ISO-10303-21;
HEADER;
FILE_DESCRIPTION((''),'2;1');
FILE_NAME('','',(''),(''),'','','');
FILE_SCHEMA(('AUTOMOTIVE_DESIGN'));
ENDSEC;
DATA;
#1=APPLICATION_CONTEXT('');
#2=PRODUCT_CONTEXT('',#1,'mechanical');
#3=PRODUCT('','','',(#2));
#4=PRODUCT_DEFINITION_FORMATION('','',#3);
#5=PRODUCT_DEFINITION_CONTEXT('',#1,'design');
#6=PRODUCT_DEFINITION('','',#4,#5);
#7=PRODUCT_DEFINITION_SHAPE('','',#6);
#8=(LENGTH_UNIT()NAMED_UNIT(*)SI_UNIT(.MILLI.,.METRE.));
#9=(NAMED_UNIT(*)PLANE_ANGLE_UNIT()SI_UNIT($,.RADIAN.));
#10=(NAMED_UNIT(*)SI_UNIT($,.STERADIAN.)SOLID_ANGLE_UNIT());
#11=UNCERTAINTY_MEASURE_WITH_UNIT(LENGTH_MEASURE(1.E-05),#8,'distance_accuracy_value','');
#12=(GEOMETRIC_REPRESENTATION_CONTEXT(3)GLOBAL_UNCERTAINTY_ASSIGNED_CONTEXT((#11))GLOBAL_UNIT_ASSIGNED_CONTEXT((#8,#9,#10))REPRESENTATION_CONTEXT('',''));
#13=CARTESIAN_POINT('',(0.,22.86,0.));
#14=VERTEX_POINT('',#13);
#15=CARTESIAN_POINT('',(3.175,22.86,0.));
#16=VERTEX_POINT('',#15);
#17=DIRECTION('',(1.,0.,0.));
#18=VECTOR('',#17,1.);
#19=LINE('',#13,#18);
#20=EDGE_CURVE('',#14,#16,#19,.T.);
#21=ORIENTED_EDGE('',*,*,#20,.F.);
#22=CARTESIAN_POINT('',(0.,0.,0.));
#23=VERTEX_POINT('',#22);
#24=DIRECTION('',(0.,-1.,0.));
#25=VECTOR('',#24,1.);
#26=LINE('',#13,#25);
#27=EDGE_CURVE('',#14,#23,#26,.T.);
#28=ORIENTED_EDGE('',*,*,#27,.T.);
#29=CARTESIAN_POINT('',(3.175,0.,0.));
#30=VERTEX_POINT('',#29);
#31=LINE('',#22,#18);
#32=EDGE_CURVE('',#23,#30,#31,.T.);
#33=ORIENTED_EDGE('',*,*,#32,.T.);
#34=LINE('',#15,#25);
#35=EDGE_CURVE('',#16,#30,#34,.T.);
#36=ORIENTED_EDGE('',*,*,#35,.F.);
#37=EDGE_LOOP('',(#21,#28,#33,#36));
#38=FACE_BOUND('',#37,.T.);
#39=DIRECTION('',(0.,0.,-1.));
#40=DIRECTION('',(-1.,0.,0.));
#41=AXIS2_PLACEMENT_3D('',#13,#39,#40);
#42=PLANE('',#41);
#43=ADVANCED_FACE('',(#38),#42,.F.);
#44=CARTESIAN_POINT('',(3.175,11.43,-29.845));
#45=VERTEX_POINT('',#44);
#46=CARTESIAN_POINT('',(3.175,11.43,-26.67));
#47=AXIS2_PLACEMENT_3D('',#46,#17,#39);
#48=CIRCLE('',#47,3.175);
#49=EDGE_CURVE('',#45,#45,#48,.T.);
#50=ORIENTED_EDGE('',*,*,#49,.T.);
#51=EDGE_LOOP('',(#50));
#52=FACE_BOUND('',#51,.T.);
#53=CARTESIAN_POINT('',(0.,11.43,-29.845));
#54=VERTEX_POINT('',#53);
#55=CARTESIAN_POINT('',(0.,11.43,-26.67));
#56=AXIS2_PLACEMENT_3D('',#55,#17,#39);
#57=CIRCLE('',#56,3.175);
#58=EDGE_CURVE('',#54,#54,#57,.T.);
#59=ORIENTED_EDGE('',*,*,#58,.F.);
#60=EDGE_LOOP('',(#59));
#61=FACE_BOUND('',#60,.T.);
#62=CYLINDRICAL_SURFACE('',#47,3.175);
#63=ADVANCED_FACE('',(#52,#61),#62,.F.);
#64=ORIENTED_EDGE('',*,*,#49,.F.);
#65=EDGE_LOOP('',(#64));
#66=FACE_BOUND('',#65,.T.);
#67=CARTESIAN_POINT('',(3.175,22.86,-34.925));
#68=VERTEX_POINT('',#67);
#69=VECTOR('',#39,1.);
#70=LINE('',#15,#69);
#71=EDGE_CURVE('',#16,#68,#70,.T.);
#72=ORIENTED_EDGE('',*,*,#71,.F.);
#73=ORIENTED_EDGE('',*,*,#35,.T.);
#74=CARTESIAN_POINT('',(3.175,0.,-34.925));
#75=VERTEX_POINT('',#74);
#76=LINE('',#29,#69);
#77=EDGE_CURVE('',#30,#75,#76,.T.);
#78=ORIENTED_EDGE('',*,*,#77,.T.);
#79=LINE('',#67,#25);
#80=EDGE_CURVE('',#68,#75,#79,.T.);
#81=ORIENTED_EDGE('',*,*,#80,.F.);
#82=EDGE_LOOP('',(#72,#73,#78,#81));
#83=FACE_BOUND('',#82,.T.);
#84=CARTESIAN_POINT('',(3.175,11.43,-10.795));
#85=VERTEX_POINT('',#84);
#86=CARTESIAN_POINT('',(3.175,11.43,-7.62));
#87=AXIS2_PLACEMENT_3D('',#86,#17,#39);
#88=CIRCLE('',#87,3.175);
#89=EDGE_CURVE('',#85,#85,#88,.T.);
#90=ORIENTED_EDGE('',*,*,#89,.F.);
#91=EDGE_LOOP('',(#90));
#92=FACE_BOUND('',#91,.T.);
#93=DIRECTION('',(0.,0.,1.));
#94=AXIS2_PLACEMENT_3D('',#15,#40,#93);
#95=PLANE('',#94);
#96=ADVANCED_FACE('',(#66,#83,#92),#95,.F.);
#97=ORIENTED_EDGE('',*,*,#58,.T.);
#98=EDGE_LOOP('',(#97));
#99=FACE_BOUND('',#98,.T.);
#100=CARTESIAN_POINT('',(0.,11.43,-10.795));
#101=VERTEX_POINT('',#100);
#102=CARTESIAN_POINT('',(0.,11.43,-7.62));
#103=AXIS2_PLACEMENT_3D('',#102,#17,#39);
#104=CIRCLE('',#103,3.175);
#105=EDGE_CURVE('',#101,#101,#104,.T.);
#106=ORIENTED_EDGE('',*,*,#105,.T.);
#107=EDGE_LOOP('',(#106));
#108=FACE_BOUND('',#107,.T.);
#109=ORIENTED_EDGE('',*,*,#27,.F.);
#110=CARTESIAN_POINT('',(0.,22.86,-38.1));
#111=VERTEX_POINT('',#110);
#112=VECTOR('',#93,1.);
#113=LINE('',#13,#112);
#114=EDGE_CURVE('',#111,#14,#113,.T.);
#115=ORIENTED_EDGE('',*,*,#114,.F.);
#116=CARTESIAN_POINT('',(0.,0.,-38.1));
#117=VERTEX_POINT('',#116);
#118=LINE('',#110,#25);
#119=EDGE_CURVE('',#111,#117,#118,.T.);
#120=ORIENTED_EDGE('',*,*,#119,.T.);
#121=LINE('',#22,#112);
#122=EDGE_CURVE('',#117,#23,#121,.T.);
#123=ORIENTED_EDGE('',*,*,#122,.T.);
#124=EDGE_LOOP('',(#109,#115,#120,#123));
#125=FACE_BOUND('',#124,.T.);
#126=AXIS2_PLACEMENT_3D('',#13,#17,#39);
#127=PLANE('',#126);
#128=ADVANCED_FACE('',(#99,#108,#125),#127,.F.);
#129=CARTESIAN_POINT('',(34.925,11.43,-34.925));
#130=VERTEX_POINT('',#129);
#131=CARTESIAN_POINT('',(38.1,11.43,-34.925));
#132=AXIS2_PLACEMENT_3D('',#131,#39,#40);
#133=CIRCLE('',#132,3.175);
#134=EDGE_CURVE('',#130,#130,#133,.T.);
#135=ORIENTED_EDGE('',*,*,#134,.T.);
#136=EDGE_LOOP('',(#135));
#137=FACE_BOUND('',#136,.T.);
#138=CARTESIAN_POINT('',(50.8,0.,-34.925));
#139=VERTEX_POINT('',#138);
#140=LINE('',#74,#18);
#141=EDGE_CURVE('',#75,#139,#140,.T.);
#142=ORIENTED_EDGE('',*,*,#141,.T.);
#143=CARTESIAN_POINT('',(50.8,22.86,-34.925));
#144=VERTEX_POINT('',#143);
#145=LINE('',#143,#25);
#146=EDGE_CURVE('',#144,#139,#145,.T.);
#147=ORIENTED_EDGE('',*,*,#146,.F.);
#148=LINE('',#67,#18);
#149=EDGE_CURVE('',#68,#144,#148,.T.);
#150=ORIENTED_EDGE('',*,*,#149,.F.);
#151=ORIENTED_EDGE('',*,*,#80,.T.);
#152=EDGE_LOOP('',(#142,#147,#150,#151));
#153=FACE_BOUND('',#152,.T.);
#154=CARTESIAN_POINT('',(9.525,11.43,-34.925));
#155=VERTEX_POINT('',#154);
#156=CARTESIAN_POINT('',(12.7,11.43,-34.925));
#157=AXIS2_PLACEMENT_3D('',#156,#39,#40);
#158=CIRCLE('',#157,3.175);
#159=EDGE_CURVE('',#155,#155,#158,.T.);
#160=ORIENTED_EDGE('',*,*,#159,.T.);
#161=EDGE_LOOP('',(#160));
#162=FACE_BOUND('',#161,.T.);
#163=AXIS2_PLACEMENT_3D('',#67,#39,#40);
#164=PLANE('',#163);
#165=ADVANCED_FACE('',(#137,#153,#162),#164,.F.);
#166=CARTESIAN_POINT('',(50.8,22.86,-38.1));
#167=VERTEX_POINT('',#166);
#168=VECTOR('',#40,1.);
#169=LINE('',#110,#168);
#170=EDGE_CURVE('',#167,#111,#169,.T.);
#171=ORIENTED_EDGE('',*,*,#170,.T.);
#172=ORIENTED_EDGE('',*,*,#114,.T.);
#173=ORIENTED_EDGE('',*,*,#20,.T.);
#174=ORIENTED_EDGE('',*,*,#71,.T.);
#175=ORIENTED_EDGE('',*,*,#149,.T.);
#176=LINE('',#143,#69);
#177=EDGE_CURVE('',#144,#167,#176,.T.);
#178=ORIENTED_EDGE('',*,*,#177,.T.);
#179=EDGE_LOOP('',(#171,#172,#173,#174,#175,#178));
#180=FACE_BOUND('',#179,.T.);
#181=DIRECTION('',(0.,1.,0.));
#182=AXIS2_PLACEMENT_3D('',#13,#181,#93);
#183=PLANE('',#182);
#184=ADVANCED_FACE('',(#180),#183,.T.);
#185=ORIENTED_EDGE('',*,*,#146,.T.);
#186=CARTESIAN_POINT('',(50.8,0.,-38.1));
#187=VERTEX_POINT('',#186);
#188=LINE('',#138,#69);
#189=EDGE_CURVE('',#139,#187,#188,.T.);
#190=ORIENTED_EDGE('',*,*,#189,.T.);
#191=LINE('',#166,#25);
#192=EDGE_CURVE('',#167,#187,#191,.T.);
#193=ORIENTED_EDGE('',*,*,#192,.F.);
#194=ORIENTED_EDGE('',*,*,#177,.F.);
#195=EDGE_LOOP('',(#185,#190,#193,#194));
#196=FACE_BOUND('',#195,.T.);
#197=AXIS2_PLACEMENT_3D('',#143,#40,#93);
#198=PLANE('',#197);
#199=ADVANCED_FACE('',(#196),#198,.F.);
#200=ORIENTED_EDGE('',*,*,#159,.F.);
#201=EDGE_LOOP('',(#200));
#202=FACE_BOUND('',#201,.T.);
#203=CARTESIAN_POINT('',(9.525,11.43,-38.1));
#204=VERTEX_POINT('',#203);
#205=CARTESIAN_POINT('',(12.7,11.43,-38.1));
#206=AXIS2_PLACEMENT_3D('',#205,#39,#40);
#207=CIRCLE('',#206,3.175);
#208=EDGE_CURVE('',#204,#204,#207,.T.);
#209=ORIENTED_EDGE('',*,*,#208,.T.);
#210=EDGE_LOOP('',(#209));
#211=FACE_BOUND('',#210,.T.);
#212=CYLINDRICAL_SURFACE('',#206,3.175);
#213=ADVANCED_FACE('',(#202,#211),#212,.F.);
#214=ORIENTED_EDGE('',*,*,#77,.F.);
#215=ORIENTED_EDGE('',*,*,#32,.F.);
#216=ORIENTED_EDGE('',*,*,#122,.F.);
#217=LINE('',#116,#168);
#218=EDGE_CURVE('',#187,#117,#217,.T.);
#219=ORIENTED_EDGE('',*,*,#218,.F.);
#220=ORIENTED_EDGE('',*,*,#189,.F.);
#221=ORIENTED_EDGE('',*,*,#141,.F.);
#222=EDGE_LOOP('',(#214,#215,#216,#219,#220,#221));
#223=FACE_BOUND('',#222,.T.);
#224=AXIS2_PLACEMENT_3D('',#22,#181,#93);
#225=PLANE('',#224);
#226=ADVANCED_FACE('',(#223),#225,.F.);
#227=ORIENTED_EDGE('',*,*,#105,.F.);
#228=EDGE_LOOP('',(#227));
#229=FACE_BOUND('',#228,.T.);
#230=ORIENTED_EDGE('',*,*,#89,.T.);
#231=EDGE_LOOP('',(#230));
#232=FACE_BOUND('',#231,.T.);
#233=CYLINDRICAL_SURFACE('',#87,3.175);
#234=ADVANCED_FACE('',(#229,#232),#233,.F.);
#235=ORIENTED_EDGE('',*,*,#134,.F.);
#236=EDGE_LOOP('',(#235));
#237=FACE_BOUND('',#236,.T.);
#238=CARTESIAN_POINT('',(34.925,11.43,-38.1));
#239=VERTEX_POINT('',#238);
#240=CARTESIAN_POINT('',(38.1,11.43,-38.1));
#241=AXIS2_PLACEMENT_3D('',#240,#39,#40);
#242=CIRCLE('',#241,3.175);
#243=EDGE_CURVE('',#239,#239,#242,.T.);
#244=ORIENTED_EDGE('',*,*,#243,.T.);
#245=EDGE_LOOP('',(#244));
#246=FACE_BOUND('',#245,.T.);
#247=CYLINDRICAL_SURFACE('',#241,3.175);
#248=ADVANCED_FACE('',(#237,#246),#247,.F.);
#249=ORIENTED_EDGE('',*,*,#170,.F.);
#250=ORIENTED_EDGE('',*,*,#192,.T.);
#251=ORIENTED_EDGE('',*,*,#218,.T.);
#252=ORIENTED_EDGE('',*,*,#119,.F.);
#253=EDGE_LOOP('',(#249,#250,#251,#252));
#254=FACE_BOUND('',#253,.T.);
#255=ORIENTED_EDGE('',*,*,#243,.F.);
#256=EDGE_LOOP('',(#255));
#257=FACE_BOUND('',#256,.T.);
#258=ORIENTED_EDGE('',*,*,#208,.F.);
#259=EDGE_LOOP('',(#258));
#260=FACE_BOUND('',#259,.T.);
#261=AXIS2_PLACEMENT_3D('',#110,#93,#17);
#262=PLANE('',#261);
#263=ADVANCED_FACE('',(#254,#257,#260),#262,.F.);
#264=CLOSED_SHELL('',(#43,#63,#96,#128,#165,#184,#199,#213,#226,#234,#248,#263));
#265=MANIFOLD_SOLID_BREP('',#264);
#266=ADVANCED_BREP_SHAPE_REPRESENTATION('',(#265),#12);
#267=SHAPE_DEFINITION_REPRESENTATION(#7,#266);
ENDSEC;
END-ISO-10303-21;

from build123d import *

# Parameters (mm, degrees)
BOSS_EXTRUDE1_DEPTH         = 22.86
F_1_4_0_25_DIAMETER_HOLE1_D = 6.35
F_1_4_0_25_DIAMETER_HOLE2_D = 6.35


with BuildPart() as part:
    # Sketch1 → Boss-Extrude1 (new body)
    with BuildSketch(Plane(origin=(0, 0, 0), x_dir=(1, 0, 0), z_dir=(0, 1, 0))):
        Polygon((0, 0), (0, 38.1), (50.8, 38.1), (50.8, 34.925), (3.175, 34.925), (3.175, 0), align=None)
    extrude(amount=BOSS_EXTRUDE1_DEPTH)

    # 1/4 (0.25) Diameter Hole1 (through all)
    with Locations(Plane(origin=(3.175, 0, 0), x_dir=(0, 0, -1), z_dir=(1, 0, 0))):
        with Locations((7.62, 11.43), (26.67, 11.43)):
            Hole(F_1_4_0_25_DIAMETER_HOLE1_D / 2)

    # 1/4 (0.25) Diameter Hole2 (through all)
    with Locations(Plane(origin=(0, 0, -38.1), x_dir=(-1, 0, 0), z_dir=(0, 0, -1))):
        with Locations((-38.1, 11.43), (-12.7, 11.43)):
            Hole(F_1_4_0_25_DIAMETER_HOLE2_D / 2)


solid = part.part
